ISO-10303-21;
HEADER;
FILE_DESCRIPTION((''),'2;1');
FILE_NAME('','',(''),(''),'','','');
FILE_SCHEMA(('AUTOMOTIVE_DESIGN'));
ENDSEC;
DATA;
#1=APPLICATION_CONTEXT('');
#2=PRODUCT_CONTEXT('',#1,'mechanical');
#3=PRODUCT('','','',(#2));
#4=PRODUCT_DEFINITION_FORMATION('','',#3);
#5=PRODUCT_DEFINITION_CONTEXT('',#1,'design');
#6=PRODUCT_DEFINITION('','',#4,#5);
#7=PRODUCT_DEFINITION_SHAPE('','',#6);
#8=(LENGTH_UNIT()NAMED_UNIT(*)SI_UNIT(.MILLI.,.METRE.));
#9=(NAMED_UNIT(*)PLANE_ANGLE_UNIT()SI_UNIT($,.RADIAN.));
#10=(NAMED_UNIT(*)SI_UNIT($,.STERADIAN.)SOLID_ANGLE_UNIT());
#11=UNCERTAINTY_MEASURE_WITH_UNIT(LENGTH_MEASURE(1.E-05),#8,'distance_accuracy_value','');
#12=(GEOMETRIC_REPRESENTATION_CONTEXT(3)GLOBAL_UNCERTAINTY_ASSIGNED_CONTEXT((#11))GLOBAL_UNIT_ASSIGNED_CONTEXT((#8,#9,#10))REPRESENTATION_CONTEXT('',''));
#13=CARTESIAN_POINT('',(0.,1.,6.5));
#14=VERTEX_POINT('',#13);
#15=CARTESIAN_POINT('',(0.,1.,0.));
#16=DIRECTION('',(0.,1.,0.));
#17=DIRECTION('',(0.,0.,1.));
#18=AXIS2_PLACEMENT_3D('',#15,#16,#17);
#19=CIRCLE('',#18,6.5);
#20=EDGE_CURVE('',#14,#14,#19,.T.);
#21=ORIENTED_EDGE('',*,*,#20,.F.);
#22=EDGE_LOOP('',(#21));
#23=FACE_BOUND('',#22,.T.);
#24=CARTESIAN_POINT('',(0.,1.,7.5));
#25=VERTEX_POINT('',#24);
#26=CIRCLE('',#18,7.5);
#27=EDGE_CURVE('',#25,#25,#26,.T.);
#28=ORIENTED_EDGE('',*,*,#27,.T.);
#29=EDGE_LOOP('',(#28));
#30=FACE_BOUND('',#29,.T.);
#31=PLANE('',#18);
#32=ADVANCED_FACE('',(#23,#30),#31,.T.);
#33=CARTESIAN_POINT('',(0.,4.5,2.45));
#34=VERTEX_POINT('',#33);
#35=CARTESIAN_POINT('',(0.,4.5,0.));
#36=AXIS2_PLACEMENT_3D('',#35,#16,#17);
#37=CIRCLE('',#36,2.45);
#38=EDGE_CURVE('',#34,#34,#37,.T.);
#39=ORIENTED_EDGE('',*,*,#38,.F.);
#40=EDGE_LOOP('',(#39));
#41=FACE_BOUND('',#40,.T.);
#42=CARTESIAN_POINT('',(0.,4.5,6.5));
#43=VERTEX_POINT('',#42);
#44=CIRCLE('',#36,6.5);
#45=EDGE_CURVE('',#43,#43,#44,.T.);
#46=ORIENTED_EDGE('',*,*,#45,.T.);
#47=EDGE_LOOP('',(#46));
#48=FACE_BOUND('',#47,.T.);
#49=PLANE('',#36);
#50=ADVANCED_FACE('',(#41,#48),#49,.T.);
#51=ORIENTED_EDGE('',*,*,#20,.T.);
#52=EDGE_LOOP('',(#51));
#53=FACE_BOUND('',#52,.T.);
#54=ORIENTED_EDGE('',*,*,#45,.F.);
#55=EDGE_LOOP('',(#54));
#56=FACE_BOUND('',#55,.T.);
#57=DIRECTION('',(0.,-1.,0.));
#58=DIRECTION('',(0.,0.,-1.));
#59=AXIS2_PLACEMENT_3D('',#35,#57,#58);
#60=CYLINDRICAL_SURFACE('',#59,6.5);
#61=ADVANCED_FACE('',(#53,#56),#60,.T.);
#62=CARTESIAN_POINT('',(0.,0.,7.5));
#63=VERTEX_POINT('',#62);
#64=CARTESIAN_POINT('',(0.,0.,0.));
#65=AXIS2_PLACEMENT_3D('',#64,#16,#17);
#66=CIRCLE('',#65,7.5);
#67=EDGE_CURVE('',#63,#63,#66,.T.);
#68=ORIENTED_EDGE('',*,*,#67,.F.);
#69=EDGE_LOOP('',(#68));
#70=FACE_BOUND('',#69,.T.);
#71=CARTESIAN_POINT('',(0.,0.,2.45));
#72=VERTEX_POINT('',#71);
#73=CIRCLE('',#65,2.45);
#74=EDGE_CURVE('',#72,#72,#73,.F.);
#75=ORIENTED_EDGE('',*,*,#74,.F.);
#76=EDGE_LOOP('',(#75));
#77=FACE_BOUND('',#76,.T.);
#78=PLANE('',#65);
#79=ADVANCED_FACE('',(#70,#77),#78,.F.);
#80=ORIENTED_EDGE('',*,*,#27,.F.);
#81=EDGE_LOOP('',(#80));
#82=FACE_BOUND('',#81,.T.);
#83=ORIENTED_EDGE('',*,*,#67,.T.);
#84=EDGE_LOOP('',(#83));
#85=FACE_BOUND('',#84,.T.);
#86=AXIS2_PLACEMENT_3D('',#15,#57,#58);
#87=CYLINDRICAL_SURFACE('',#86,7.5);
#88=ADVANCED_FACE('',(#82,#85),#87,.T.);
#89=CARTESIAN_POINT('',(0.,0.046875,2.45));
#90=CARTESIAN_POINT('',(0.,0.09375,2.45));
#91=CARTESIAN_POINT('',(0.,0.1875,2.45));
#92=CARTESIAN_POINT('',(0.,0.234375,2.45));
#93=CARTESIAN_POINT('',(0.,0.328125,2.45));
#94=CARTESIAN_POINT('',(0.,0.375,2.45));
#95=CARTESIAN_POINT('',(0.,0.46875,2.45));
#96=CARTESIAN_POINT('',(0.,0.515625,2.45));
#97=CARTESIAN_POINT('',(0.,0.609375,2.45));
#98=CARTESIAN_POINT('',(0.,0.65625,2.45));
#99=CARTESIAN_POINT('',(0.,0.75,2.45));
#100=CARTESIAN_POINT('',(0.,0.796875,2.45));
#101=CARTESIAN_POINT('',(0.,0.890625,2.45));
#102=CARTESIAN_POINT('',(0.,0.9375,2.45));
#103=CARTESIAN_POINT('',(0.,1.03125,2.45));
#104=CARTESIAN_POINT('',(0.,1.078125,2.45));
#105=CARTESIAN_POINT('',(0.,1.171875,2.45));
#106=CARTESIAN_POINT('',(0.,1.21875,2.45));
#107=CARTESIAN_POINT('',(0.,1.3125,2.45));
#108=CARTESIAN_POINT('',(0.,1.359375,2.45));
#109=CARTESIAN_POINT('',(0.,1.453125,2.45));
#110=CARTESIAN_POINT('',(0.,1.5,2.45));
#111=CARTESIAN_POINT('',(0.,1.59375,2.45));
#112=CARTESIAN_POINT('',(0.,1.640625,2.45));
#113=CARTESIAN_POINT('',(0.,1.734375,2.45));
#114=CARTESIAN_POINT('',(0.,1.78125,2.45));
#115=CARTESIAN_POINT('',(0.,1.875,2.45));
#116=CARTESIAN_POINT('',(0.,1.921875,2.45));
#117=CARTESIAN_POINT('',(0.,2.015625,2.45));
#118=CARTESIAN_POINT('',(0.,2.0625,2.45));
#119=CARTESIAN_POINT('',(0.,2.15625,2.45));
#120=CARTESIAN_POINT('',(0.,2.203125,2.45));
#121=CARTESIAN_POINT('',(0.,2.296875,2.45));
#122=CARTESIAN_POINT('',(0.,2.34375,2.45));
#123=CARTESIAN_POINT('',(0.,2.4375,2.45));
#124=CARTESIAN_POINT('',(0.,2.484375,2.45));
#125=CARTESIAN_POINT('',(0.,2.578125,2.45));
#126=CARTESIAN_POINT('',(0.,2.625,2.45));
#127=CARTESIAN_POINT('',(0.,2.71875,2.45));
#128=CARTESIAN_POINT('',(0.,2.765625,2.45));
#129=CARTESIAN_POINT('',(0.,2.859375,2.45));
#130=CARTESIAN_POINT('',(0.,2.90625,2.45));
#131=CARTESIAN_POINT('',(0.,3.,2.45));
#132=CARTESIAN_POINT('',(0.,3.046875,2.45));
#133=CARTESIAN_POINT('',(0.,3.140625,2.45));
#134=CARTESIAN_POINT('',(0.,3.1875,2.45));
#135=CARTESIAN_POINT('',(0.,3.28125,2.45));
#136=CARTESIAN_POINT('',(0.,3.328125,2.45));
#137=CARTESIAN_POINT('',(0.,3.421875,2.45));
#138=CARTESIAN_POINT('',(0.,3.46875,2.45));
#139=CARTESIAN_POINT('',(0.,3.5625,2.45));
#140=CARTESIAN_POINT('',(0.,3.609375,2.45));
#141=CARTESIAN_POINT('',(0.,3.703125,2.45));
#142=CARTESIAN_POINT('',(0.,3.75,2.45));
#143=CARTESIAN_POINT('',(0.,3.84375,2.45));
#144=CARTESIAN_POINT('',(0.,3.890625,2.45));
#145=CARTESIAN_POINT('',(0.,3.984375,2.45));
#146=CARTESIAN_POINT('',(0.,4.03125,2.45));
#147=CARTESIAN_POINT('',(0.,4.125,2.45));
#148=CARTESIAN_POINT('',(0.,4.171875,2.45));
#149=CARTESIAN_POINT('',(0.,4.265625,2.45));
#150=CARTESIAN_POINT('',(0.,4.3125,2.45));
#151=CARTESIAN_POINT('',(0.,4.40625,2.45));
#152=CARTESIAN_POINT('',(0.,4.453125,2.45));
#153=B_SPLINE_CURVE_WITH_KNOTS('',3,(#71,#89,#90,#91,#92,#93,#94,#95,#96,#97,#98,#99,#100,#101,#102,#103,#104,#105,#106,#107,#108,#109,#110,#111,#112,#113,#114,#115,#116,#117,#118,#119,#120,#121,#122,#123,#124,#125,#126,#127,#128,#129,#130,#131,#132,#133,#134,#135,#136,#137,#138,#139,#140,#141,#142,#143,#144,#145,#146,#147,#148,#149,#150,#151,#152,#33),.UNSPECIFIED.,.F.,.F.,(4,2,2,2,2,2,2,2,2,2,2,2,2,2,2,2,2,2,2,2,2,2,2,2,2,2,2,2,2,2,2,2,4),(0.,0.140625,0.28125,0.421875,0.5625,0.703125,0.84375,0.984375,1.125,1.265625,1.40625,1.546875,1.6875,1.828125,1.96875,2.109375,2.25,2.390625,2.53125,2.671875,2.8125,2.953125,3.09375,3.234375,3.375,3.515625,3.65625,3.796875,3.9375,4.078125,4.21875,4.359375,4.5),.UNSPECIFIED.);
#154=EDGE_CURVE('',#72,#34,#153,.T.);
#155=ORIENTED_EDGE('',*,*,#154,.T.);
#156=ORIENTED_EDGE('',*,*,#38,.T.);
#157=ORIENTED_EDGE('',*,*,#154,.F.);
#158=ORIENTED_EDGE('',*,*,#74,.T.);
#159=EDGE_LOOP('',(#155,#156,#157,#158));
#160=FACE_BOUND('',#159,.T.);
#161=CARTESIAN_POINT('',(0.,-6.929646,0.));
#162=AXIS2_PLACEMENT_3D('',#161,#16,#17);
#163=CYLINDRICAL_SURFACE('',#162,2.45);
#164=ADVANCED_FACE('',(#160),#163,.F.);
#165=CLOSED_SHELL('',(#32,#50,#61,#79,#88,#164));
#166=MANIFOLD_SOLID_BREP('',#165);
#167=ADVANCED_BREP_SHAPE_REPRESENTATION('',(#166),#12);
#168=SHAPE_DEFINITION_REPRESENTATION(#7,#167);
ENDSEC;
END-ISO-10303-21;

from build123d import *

# Parameters (mm, degrees)
SKETCH1_R           = 7.5
BOSS_EXTRUDE1_DEPTH = 1
SKETCH2_R           = 6.5
BOSS_EXTRUDE2_DEPTH = 3.5
SKETCH3_R           = 2.45
CUT_EXTRUDE1_DEPTH  = 4.5


with BuildPart() as part:
    # Sketch1 → Boss-Extrude1 (new body)
    with BuildSketch(Plane(origin=(0, 0, 0), x_dir=(1, 0, 0), z_dir=(0, 1, 0))):
        with Locations(Location((0, 0, 0), (0, 0, 270))):
            Circle(SKETCH1_R)
    extrude(amount=BOSS_EXTRUDE1_DEPTH)

    # Sketch2 → Boss-Extrude2 (add)
    with BuildSketch(Plane(origin=(0, 1, 0), x_dir=(1, 0, 0), z_dir=(0, 1, 0))):
        with Locations(Location((0, 0, 0), (0, 0, 270))):
            Circle(SKETCH2_R)
    extrude(amount=BOSS_EXTRUDE2_DEPTH)

    # Sketch3 → Cut-Extrude1 (cut)
    with BuildSketch(Plane(origin=(0, 4.5, 0), x_dir=(1, 0, 0), z_dir=(0, 1, 0))):
        with Locations(Location((0, 0, 0), (0, 0, 270))):
            Circle(SKETCH3_R)
    extrude(amount=-CUT_EXTRUDE1_DEPTH, mode=Mode.SUBTRACT)


solid = part.part
